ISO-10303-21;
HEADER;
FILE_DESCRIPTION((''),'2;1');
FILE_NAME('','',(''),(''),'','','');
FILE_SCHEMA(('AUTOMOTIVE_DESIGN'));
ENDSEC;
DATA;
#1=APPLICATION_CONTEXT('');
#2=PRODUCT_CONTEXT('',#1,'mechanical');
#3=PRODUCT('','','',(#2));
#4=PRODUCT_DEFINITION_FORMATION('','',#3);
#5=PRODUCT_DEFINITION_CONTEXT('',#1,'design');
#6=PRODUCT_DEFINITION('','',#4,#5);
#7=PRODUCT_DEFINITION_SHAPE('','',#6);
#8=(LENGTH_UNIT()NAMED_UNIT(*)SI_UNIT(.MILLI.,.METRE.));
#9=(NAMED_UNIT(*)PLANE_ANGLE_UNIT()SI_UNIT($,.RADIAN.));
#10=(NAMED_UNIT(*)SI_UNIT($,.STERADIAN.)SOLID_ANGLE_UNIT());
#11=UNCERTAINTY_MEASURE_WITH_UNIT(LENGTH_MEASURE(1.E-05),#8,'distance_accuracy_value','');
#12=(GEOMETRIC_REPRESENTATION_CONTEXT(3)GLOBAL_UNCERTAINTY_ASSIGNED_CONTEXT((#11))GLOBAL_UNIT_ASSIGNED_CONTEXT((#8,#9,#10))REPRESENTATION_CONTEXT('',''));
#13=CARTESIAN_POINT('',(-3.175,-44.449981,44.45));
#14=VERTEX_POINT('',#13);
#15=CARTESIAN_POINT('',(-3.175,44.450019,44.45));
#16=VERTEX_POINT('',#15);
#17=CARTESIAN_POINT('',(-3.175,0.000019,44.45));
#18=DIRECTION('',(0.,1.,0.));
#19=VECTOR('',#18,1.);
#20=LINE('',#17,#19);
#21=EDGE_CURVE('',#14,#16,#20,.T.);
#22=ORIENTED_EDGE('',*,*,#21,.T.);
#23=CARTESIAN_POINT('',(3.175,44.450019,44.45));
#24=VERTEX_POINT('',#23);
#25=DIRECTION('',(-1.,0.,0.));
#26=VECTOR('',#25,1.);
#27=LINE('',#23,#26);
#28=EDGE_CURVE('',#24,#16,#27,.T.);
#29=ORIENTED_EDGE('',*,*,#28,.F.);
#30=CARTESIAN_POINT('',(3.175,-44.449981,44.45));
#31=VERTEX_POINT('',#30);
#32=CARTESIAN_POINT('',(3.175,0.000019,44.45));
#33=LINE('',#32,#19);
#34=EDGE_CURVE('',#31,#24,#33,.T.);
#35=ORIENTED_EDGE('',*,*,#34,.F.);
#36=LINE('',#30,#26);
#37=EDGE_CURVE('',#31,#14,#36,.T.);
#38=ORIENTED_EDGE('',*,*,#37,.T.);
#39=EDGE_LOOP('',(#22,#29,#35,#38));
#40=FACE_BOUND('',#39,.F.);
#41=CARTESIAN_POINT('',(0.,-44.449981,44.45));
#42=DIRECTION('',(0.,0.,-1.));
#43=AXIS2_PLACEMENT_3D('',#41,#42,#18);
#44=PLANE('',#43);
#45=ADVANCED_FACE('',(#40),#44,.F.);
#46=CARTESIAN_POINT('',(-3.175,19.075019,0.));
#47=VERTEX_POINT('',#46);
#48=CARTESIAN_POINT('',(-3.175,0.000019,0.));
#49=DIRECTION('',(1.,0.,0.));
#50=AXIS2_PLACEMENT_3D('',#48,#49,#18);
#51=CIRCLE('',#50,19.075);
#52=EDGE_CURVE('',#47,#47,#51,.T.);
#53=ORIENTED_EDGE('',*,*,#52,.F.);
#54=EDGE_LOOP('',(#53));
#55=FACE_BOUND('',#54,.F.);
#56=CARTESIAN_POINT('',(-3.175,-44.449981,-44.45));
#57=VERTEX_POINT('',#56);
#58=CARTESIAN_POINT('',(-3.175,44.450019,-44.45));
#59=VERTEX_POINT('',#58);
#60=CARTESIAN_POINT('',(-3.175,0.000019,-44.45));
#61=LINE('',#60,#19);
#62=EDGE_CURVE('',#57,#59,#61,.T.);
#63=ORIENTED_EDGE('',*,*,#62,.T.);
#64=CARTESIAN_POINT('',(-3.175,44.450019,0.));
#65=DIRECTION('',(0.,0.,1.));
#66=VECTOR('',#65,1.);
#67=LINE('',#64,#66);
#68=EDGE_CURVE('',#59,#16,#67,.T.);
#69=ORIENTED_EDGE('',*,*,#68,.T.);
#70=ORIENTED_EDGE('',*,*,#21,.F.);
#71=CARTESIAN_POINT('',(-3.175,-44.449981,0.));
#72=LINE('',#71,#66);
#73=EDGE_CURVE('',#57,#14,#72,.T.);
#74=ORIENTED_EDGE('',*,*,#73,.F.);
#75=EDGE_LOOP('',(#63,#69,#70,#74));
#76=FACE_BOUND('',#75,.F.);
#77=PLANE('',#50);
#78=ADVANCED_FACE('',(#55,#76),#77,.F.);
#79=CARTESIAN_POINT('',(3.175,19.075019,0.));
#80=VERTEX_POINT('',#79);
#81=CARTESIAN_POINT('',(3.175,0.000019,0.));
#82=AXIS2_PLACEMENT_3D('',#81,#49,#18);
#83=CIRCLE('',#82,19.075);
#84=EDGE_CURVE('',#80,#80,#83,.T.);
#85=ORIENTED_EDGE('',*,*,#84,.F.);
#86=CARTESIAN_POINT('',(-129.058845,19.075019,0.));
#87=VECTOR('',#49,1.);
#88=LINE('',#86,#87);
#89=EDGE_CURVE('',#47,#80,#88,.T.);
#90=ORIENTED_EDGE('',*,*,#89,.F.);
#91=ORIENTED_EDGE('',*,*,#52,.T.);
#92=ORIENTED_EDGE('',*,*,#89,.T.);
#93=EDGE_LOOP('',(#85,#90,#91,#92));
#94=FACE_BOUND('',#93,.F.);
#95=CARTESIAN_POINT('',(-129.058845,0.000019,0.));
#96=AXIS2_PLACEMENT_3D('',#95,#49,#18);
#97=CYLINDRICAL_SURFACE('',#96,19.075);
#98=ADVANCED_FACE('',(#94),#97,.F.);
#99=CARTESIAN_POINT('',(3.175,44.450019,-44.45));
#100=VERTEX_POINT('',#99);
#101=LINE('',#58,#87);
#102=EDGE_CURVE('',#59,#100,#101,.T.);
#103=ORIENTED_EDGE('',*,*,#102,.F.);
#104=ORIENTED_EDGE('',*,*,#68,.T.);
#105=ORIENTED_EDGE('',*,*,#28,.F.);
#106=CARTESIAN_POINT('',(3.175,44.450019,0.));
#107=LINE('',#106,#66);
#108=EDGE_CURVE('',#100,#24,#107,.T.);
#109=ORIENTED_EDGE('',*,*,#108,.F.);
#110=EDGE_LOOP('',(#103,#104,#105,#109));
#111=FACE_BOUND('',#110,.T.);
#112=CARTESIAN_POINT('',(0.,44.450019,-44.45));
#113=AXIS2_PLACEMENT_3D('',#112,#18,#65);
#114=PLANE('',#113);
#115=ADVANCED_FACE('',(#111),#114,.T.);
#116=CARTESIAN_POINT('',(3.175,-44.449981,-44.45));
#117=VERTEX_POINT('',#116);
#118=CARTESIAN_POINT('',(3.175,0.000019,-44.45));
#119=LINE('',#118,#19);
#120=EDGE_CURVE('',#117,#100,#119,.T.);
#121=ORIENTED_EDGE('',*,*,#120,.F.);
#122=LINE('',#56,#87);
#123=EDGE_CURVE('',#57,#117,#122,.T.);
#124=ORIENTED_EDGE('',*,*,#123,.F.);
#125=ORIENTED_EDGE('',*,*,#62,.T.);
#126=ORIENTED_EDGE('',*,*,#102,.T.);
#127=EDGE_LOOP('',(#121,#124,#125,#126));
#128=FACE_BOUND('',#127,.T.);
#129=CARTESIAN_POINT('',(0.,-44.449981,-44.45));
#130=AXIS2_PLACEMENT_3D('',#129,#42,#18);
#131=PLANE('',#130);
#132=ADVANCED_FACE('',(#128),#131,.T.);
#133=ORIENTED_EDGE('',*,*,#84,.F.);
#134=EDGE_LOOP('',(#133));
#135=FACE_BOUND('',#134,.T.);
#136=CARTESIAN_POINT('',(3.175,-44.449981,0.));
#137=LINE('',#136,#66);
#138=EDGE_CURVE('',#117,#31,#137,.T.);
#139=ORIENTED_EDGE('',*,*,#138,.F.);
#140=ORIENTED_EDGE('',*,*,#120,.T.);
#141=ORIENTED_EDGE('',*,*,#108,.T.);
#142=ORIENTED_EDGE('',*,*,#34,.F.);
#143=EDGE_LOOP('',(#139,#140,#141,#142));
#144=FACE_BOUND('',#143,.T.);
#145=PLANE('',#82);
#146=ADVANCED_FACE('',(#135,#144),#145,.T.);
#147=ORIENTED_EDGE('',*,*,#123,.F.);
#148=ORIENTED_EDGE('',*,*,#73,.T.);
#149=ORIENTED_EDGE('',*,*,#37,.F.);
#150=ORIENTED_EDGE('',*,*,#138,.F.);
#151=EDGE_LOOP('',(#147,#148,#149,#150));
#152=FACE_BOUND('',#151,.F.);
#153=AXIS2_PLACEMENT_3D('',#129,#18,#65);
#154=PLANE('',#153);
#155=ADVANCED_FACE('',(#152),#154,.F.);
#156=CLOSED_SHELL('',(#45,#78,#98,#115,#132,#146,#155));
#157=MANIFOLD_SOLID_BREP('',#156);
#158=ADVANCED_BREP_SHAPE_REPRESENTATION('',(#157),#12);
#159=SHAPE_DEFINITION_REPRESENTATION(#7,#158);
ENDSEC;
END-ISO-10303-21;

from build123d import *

# Parameters (mm, degrees)
F0_W     = 88.9
F0_H     = 88.9
F1_DEPTH = 3.175
F3_D     = 38.15


with BuildPart() as f1:
    # F0 (on Right) → F1 (new body, symmetric)
    with BuildSketch(Plane.YZ):
        with Locations((1.86388e-05, 0)):
            Rectangle(F0_W, F0_H)
    extrude(amount=F1_DEPTH, both=True)

    # F3 (through all)
    with Locations(Plane(origin=(-3.175, 0, 0), x_dir=(0, -1, 0), z_dir=(-1, 0, 0))):
        with Locations((-1.86388e-05, 0)):
            Hole(F3_D / 2)


solid = f1.part
